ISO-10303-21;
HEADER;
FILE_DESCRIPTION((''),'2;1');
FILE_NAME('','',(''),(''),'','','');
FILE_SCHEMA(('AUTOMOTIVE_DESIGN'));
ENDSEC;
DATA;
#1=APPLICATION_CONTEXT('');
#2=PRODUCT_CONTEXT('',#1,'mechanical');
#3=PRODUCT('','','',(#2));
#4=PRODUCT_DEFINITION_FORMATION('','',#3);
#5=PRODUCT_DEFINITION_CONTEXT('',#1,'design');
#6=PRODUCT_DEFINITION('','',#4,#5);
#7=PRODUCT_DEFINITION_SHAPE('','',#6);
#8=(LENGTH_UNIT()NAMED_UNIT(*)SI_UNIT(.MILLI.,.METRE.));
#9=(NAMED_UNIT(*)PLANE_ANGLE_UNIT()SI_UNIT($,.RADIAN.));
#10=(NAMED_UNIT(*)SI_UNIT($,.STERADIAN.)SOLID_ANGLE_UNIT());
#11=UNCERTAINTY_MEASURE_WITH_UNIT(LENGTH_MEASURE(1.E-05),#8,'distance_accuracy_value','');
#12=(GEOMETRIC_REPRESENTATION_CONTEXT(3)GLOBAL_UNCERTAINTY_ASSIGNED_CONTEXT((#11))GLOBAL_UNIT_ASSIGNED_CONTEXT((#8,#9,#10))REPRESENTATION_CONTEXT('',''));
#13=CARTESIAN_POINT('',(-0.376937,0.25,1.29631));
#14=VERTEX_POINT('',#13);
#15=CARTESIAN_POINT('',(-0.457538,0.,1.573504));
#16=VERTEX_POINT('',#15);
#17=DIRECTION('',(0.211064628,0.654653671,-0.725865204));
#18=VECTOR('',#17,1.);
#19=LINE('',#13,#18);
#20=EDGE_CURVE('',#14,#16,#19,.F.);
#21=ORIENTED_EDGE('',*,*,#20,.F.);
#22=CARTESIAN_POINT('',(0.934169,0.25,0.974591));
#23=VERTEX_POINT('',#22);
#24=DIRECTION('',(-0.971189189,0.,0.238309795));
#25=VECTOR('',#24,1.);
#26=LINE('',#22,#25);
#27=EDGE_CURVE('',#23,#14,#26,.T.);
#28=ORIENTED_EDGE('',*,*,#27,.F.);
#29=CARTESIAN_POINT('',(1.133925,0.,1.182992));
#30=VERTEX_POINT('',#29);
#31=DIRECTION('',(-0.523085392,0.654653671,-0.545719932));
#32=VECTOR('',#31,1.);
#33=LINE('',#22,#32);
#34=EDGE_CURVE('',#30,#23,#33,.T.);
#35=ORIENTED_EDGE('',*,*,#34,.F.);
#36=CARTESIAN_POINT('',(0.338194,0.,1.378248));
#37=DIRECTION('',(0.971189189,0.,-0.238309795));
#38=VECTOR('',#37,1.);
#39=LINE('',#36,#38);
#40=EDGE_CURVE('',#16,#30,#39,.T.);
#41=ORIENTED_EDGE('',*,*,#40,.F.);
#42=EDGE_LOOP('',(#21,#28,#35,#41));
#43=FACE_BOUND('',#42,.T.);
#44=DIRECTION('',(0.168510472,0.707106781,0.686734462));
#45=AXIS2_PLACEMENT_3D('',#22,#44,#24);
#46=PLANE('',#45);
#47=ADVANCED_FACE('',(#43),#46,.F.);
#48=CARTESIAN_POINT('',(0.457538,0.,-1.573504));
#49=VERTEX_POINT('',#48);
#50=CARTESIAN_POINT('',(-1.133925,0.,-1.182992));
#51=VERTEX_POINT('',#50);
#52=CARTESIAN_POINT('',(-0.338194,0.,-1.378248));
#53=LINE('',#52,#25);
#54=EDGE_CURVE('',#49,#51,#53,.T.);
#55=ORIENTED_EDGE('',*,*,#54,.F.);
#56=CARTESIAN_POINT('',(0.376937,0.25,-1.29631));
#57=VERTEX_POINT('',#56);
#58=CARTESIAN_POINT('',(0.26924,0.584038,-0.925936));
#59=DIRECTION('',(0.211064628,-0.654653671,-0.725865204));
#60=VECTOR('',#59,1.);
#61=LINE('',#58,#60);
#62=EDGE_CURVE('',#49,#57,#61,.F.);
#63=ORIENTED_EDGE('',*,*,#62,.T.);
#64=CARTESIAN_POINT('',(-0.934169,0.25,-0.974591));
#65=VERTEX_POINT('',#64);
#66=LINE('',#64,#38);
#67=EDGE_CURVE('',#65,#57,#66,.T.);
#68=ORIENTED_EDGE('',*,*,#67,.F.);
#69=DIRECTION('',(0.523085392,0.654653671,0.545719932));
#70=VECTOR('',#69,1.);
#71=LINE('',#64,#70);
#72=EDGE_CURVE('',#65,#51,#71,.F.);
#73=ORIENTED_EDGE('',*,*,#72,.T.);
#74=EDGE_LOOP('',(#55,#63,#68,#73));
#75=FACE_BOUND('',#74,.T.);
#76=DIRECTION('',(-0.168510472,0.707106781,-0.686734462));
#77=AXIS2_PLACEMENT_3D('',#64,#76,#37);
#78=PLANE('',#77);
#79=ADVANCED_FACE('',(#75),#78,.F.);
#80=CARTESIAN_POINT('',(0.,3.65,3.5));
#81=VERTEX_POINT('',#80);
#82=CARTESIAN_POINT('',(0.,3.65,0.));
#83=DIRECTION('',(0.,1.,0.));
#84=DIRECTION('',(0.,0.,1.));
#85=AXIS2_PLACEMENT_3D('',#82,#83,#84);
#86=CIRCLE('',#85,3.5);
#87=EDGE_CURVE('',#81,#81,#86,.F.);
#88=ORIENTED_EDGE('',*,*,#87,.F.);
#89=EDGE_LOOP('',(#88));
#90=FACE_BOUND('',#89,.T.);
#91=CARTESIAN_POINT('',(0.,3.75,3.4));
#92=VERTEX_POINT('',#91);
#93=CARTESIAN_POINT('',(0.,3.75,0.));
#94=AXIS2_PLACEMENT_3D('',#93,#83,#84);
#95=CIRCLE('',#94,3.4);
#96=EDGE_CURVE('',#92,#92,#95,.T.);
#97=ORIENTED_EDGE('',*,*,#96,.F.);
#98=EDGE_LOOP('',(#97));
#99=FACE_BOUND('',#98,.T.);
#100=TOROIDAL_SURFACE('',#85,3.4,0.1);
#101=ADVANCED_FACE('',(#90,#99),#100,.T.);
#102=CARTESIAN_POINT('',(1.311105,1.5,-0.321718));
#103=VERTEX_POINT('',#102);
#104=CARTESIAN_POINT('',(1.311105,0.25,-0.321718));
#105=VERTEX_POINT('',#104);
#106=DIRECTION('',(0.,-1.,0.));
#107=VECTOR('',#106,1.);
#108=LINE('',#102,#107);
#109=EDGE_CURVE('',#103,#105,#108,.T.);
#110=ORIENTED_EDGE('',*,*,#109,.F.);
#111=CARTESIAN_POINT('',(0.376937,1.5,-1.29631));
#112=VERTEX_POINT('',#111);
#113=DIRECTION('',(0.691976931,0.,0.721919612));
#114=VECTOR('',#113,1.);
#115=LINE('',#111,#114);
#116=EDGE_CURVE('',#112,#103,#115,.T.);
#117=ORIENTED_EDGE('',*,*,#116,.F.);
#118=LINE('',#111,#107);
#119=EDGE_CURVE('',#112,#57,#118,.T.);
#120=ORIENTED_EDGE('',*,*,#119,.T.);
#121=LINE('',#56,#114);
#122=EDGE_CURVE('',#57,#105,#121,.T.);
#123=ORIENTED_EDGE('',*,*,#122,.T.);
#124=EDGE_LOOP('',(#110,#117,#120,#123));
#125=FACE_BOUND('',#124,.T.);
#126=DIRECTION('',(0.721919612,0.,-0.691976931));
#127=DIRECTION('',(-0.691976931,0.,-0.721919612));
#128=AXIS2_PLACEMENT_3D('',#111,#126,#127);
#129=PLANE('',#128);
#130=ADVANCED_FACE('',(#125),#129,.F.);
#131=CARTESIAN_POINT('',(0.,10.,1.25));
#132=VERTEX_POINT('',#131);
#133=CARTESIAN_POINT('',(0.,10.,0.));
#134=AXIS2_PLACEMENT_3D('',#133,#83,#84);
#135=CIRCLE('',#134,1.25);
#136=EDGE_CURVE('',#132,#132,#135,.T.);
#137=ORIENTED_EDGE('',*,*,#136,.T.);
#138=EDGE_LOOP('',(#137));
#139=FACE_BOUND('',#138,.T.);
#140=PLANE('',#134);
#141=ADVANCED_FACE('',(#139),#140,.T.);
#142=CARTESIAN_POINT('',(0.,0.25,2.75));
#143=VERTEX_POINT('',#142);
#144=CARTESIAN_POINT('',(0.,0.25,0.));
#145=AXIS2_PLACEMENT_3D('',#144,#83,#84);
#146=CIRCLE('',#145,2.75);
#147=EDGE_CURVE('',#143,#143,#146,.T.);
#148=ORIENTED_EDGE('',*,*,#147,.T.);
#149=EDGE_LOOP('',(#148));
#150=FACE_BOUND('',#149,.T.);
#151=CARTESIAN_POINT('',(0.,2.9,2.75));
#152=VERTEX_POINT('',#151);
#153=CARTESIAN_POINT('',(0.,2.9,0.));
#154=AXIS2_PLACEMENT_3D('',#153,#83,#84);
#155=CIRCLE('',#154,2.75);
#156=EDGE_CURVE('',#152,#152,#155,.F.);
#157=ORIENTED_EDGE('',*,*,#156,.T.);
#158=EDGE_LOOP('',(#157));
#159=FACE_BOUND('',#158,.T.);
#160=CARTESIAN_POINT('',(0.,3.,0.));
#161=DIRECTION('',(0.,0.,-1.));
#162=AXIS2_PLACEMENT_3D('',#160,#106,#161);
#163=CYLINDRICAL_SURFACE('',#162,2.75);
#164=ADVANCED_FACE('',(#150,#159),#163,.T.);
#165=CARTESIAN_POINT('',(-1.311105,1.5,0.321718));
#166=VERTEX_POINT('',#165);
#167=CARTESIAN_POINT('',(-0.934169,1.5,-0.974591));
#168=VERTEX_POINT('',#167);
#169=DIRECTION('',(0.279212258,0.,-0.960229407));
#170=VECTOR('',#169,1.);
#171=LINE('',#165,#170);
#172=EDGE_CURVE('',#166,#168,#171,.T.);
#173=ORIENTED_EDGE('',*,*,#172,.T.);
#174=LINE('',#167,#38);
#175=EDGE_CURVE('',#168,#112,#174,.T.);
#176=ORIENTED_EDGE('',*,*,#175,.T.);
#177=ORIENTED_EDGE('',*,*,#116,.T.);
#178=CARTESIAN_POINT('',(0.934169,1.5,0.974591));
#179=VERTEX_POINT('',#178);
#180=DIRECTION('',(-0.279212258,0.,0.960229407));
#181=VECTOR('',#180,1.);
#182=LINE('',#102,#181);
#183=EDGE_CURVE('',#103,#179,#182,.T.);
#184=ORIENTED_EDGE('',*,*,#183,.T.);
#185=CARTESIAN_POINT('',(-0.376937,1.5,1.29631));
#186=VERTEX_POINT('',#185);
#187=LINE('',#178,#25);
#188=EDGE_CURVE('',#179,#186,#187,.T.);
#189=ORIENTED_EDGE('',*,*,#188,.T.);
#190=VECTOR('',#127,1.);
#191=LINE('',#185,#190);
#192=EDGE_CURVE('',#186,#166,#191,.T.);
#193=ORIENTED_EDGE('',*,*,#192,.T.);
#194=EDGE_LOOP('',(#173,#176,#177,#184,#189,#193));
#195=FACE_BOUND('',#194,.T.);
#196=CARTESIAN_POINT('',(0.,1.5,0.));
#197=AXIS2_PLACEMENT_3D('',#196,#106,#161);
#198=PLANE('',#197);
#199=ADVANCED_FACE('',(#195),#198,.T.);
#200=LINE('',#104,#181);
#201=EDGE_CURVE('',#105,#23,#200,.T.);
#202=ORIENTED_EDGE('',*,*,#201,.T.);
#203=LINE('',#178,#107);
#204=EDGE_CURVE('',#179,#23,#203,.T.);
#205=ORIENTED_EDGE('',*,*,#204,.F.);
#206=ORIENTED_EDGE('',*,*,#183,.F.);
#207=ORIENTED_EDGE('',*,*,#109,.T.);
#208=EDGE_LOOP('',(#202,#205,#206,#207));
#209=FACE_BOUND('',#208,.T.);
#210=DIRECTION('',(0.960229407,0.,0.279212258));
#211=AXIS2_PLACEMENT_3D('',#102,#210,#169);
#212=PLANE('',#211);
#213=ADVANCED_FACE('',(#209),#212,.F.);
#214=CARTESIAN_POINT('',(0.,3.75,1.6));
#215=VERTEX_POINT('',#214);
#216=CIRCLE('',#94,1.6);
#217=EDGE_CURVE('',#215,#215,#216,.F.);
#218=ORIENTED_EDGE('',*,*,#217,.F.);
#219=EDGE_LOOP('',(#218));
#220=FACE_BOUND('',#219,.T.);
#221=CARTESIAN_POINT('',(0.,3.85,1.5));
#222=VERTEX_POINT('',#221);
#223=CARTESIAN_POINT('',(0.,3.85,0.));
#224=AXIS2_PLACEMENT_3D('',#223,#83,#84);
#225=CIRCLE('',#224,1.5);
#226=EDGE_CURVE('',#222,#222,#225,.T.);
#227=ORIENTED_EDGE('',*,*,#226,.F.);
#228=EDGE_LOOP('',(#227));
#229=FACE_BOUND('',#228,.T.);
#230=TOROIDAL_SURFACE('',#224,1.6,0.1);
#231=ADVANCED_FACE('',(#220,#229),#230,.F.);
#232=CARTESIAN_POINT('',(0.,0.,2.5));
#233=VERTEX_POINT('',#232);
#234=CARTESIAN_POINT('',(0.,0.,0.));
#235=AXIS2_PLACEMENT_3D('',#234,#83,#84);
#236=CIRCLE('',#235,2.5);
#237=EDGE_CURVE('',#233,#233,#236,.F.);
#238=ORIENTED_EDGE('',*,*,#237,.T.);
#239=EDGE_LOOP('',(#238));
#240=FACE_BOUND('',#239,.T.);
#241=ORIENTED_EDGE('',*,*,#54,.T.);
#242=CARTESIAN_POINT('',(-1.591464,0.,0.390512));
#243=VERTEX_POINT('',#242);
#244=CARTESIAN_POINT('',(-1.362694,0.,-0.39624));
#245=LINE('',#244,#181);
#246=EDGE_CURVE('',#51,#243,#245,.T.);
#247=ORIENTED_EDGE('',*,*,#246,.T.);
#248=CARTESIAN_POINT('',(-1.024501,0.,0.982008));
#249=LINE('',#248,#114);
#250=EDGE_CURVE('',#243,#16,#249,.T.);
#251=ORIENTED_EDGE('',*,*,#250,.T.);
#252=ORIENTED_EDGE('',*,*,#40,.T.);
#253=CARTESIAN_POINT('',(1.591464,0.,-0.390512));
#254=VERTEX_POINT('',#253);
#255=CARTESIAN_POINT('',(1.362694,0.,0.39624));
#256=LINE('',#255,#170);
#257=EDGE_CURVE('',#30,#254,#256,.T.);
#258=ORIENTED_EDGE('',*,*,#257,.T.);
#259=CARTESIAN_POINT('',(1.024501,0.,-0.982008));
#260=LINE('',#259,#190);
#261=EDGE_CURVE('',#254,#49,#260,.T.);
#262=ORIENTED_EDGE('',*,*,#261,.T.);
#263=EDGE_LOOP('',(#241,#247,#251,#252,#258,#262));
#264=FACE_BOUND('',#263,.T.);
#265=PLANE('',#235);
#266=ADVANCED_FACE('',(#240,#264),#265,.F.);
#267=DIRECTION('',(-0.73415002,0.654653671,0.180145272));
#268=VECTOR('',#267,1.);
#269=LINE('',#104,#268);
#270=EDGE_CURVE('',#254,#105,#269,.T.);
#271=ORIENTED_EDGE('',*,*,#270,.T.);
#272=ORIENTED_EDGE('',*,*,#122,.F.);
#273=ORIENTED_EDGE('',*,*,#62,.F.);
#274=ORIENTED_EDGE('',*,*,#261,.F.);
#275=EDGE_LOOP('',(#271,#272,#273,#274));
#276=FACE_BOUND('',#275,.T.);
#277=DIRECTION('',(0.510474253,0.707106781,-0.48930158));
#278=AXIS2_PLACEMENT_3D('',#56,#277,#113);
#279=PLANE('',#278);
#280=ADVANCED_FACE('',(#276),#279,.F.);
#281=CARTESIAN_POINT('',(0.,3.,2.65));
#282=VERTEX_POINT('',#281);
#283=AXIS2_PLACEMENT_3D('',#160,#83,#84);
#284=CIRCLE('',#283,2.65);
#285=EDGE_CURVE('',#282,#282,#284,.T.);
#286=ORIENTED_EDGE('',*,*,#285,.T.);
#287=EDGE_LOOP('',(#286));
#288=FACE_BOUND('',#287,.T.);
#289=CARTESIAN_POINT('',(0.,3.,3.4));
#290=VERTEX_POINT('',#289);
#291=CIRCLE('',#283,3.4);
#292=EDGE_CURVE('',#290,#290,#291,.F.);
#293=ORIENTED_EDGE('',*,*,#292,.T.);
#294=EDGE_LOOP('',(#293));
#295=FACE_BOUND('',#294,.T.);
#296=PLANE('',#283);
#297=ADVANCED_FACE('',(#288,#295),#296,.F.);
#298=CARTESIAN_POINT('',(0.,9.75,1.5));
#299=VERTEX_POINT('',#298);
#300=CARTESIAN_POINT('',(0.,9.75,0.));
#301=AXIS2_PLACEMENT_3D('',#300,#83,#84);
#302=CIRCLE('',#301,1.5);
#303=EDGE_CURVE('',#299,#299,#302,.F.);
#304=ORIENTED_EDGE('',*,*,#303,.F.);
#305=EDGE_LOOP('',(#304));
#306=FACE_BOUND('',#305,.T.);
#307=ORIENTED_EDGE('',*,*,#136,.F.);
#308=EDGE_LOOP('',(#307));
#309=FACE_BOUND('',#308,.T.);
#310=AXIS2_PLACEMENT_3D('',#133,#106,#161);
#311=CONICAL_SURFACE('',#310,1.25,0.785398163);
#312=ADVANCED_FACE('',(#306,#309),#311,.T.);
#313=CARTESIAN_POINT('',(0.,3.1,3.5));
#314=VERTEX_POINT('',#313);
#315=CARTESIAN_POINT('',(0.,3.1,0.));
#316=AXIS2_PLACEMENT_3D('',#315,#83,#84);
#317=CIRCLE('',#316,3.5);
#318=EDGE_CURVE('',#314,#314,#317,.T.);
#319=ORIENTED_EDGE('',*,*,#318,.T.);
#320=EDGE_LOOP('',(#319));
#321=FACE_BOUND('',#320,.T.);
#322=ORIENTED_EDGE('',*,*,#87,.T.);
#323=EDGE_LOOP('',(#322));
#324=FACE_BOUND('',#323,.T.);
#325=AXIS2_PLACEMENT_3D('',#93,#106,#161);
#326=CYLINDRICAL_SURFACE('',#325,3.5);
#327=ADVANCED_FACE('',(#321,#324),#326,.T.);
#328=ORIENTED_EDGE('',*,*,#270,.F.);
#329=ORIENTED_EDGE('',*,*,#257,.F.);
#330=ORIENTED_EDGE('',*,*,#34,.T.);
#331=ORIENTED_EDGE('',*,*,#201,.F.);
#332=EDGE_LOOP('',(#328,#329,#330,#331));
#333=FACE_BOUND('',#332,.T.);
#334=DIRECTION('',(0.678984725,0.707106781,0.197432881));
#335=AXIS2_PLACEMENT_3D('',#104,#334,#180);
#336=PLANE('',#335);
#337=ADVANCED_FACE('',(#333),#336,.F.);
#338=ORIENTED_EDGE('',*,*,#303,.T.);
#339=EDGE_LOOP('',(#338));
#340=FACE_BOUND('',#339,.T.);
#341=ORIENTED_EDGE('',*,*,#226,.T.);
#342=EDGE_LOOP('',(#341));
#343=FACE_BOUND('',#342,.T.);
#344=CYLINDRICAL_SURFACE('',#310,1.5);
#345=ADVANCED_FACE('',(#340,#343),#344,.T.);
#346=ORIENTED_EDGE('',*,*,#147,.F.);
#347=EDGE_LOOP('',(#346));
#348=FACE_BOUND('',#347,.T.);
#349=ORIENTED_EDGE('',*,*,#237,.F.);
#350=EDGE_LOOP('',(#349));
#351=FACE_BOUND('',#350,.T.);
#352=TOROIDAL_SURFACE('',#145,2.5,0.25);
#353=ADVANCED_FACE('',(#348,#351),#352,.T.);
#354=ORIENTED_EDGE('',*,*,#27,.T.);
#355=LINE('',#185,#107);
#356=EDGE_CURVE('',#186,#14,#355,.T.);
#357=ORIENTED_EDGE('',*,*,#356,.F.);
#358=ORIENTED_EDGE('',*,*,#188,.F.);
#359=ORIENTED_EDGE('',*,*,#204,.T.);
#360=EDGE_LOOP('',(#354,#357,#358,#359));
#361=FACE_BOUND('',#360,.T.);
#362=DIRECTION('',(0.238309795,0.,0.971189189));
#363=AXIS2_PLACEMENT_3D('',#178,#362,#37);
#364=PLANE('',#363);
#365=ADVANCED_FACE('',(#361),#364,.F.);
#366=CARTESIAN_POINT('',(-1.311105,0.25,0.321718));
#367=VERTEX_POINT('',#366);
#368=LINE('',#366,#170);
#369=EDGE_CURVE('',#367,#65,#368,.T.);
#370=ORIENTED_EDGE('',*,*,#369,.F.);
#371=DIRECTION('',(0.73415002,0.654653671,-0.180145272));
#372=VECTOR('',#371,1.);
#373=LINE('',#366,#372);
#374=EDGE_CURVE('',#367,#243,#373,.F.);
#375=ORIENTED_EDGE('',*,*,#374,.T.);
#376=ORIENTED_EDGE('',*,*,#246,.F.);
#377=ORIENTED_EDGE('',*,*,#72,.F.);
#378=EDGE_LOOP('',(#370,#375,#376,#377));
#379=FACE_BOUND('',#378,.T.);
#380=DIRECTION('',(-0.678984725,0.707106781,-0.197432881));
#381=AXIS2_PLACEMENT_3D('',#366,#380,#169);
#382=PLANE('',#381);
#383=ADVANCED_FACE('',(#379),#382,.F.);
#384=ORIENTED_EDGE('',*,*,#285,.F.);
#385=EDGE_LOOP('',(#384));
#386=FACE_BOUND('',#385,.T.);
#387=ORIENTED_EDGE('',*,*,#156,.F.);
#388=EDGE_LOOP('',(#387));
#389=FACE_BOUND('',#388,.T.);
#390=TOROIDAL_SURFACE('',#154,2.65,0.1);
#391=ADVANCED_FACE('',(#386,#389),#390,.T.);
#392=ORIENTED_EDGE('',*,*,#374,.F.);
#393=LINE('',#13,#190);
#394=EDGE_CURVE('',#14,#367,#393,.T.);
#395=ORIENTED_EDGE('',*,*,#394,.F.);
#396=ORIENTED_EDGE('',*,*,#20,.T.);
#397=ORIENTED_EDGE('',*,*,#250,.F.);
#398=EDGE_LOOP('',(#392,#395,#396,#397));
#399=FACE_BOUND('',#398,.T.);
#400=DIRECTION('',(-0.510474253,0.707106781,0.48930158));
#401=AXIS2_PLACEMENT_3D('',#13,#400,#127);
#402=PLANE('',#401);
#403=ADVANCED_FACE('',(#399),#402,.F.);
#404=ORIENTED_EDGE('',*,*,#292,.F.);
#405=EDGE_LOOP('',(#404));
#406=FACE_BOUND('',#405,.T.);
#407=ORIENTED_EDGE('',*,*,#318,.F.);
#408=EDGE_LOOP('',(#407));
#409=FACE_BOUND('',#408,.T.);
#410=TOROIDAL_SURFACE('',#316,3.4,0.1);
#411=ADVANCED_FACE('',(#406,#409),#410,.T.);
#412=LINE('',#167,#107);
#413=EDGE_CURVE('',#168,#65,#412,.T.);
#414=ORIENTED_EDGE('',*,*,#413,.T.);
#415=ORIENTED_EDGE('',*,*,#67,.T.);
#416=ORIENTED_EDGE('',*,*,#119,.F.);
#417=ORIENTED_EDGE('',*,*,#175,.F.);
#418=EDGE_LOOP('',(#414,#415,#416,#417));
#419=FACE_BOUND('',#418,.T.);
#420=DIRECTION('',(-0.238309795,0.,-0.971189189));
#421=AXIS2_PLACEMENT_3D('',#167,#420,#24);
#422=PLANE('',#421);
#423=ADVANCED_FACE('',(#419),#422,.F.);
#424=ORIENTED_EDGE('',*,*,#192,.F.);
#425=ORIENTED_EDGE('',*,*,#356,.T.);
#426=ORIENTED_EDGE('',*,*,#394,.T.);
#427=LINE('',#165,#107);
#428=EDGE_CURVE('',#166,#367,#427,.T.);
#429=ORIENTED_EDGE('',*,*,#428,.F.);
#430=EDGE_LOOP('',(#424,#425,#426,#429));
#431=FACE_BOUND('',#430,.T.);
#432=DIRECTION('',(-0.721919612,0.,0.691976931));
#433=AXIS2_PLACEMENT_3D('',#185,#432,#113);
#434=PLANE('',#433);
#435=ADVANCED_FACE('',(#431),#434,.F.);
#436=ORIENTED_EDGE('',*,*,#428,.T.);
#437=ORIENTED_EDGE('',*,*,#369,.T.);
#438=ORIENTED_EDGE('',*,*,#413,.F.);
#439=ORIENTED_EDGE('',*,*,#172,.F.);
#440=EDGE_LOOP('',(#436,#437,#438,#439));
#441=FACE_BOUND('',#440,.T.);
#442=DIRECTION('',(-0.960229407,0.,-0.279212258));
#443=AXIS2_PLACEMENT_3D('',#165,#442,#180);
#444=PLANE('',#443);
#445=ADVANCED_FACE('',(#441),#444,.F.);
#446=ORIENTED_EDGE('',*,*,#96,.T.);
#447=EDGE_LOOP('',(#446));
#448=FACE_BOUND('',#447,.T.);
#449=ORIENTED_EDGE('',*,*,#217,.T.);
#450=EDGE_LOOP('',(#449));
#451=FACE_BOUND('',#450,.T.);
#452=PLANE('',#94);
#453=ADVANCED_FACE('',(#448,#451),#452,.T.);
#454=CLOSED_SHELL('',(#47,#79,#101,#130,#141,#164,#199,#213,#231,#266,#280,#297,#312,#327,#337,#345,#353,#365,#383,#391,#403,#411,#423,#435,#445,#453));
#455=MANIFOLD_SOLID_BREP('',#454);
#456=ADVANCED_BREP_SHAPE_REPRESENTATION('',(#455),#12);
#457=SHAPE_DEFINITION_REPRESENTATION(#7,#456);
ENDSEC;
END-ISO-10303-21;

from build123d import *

# Parameters (mm, degrees)
SKETCH1_R           = 2.75
BOSS_EXTRUDE1_DEPTH = 3
SKETCH2_R           = 1.5
BOSS_EXTRUDE2_DEPTH = 7
CUT_EXTRUDE1_DEPTH  = 1.5
CHAMFER1_SIZE       = 0.25
FILLET1_R           = 0.25
CHAMFER2_SIZE       = 0.25
FILLET2_R           = 0.1
SKETCH4_R           = 3.5
SKETCH4_R_2         = 1.5
BOSS_EXTRUDE3_DEPTH = 0.75
FILLET3_R           = 0.1


with BuildPart() as part:
    # Sketch1 → Boss-Extrude1 (new body)
    with BuildSketch(Plane(origin=(0, 0, 0), x_dir=(1, 0, 0), z_dir=(0, 1, 0))):
        with Locations(Location((0, 0, 0), (0, 0, 270))):
            Circle(SKETCH1_R)
    extrude(amount=BOSS_EXTRUDE1_DEPTH)

    # Sketch2 → Boss-Extrude2 (add)
    with BuildSketch(Plane(origin=(0, 3, 0), x_dir=(1, 0, 0), z_dir=(0, 1, 0))):
        with Locations(Location((0, 0, 0), (0, 0, 270))):
            Circle(SKETCH2_R)
    extrude(amount=BOSS_EXTRUDE2_DEPTH)

    # Sketch3 → Cut-Extrude1 (cut)
    with BuildSketch(Plane.XZ):
        Polygon((0.934168857, 0.974591477), (-0.376936549, 1.2963097), (-1.311105406, 0.321718223), (-0.934168857, -0.974591477), (0.376936549, -1.2963097), (1.311105406, -0.321718223), align=None)
    extrude(amount=-CUT_EXTRUDE1_DEPTH, mode=Mode.SUBTRACT)

    # Chamfer1
    chamfer1_edges = [part.edges().sort_by_distance(p)[0] for p in [
        (1.122637131, 0, 0.326436627),
        (0.278616154, 0, 1.135450588),
        (-0.844020977, 0, 0.809013962),
        (-1.122637131, 0, -0.326436627),
        (-0.278616154, 0, -1.135450588),
        (0.844020977, 0, -0.809013962),
    ]]
    chamfer(chamfer1_edges, length=CHAMFER1_SIZE)

    # Fillet1
    fillet1_edges = [part.edges().sort_by_distance(p)[0] for p in [
        (0, 0, -2.75),
    ]]
    fillet(fillet1_edges, radius=FILLET1_R)

    # Chamfer2
    chamfer2_edges = [part.edges().sort_by_distance(p)[0] for p in [
        (0, 10, -1.5),
    ]]
    chamfer(chamfer2_edges, length=CHAMFER2_SIZE)

    # Fillet2
    fillet2_edges = [part.edges().sort_by_distance(p)[0] for p in [
        (0, 3, -2.75),
    ]]
    fillet(fillet2_edges, radius=FILLET2_R)

    # Sketch4 → Boss-Extrude3 (add)
    with BuildSketch(Plane(origin=(0, 3, 0), x_dir=(1, 0, 0), z_dir=(0, 1, 0))):
        with Locations(Location((0, 0, 0), (0, 0, 270))):
            Circle(SKETCH4_R)
        with Locations(Location((0, 0, 0), (0, 0, 270))):
            Circle(SKETCH4_R_2, mode=Mode.SUBTRACT)
    extrude(amount=BOSS_EXTRUDE3_DEPTH)

    # Fillet3
    fillet3_edges = [part.edges().sort_by_distance(p)[0] for p in [
        (0, 3.75, -3.5),
        (0, 3, -3.5),
        (0, 3.75, -1.5),
    ]]
    fillet(fillet3_edges, radius=FILLET3_R)


solid = part.part
